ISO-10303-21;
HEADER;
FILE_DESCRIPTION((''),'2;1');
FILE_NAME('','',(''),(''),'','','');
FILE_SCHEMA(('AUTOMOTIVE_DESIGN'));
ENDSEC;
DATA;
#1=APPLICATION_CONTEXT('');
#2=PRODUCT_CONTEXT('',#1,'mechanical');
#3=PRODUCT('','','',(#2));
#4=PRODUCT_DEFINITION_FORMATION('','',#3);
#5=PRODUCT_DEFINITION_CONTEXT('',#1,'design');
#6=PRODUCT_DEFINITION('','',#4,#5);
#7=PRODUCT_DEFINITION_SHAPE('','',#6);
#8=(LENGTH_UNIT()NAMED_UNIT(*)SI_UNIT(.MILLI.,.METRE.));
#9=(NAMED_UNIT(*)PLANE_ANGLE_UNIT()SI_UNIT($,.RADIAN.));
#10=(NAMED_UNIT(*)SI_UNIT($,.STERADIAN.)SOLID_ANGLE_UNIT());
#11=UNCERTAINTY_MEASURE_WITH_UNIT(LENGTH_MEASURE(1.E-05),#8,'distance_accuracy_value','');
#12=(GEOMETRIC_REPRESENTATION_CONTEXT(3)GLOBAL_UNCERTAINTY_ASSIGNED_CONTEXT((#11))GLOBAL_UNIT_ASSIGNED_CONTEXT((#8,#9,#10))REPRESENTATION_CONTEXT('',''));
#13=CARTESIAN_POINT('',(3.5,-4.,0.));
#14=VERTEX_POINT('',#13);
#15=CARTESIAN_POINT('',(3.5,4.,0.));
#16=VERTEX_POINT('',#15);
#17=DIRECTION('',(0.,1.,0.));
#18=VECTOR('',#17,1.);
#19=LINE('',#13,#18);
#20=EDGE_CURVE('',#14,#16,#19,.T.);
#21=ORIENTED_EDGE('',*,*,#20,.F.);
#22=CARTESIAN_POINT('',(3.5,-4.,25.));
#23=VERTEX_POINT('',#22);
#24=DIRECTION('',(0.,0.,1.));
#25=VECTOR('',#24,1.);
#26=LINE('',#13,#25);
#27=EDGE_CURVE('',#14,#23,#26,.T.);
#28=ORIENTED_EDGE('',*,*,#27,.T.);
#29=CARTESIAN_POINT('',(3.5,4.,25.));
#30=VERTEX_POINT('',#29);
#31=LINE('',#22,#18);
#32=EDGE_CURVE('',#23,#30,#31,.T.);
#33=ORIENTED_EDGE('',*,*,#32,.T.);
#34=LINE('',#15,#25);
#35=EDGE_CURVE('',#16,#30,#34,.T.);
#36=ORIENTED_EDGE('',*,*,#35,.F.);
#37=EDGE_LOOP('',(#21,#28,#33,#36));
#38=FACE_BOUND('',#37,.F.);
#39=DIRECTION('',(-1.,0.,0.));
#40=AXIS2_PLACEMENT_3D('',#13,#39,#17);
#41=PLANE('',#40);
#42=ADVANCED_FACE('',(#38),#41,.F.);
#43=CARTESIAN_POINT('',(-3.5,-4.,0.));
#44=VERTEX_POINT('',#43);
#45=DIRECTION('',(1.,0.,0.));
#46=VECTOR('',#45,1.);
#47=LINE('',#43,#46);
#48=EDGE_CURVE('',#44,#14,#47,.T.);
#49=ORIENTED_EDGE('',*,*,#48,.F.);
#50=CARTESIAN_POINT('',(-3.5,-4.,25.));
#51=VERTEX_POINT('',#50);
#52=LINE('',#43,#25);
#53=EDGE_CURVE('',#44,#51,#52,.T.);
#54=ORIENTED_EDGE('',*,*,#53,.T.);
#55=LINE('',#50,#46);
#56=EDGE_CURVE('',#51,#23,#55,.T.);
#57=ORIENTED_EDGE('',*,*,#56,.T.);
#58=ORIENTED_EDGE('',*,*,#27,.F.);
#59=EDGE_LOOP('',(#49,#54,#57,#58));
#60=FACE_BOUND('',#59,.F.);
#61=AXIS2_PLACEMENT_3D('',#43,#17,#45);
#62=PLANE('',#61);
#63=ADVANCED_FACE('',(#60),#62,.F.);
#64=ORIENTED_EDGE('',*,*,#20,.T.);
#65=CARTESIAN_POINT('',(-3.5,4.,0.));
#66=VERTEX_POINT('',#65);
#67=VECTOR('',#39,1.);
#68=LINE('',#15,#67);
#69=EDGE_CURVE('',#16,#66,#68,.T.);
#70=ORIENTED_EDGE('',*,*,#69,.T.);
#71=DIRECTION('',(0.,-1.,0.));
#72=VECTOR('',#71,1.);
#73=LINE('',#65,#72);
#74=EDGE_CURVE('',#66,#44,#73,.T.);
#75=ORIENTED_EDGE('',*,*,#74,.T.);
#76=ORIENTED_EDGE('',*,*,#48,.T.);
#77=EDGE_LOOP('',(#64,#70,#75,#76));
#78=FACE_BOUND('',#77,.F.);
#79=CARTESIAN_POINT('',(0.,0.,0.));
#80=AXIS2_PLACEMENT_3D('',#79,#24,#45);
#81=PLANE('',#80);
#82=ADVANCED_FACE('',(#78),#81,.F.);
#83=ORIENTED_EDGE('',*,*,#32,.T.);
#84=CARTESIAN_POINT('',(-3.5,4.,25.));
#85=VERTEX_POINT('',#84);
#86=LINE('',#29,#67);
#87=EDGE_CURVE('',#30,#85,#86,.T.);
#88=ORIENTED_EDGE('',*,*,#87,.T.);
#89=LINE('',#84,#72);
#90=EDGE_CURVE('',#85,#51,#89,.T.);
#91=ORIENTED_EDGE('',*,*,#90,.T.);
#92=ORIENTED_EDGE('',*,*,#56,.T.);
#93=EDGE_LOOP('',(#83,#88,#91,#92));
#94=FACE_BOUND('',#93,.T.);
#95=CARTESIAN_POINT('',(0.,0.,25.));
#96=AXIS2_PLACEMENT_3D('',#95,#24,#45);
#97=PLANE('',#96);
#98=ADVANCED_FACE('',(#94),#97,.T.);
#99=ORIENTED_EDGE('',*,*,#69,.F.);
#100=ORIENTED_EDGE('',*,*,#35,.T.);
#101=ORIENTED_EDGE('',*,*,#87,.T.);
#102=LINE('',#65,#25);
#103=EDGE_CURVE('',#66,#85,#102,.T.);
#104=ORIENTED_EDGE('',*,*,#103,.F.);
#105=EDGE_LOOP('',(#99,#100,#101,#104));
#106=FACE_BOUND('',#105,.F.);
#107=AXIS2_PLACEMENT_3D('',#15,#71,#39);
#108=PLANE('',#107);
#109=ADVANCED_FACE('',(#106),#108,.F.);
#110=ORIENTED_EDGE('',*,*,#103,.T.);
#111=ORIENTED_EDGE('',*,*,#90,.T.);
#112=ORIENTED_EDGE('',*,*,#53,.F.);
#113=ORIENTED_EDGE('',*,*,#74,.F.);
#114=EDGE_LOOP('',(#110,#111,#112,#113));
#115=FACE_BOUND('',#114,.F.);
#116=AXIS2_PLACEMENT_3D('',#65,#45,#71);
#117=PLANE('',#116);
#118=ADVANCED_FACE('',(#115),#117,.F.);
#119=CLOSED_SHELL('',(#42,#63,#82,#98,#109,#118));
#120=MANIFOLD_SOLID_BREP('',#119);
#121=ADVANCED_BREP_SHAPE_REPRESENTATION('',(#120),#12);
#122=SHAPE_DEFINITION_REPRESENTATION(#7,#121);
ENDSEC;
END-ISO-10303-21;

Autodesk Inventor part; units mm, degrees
ref_plane "YZ Plane" through (0, 0, 0) normal (1, 0, 0) x (0, 1, 0)
ref_plane "XZ Plane" through (0, 0, 0) normal (0, 1, 0) x (-1, 0, 0)
ref_plane "XY Plane" through (0, 0, 0) normal (0, 0, 1) x (1, 0, 0)
sketch "Sketch1" plane through (0, 0, 0) normal (0, 0, 1) x (1, 0, 0)
  line L0 (-3.5, -4) -> (3.5, -4)
  line L1 (3.5, -4) -> (3.5, 4)
  line L2 (3.5, 4) -> (-3.5, 4)
  line L3 (-3.5, 4) -> (-3.5, -4)
  line L4 (-3.5, -4) -> (3.5, 4) construction
  line L5 (3.5, -4) -> (-3.5, 4) construction
  point P0 (0, 0)
  dimension "d0" = 7
  dimension "d1" = 8
extrude "Extrusion1" add sketch "Sketch1" along normal blind 25
properties part number "CUÑA"
